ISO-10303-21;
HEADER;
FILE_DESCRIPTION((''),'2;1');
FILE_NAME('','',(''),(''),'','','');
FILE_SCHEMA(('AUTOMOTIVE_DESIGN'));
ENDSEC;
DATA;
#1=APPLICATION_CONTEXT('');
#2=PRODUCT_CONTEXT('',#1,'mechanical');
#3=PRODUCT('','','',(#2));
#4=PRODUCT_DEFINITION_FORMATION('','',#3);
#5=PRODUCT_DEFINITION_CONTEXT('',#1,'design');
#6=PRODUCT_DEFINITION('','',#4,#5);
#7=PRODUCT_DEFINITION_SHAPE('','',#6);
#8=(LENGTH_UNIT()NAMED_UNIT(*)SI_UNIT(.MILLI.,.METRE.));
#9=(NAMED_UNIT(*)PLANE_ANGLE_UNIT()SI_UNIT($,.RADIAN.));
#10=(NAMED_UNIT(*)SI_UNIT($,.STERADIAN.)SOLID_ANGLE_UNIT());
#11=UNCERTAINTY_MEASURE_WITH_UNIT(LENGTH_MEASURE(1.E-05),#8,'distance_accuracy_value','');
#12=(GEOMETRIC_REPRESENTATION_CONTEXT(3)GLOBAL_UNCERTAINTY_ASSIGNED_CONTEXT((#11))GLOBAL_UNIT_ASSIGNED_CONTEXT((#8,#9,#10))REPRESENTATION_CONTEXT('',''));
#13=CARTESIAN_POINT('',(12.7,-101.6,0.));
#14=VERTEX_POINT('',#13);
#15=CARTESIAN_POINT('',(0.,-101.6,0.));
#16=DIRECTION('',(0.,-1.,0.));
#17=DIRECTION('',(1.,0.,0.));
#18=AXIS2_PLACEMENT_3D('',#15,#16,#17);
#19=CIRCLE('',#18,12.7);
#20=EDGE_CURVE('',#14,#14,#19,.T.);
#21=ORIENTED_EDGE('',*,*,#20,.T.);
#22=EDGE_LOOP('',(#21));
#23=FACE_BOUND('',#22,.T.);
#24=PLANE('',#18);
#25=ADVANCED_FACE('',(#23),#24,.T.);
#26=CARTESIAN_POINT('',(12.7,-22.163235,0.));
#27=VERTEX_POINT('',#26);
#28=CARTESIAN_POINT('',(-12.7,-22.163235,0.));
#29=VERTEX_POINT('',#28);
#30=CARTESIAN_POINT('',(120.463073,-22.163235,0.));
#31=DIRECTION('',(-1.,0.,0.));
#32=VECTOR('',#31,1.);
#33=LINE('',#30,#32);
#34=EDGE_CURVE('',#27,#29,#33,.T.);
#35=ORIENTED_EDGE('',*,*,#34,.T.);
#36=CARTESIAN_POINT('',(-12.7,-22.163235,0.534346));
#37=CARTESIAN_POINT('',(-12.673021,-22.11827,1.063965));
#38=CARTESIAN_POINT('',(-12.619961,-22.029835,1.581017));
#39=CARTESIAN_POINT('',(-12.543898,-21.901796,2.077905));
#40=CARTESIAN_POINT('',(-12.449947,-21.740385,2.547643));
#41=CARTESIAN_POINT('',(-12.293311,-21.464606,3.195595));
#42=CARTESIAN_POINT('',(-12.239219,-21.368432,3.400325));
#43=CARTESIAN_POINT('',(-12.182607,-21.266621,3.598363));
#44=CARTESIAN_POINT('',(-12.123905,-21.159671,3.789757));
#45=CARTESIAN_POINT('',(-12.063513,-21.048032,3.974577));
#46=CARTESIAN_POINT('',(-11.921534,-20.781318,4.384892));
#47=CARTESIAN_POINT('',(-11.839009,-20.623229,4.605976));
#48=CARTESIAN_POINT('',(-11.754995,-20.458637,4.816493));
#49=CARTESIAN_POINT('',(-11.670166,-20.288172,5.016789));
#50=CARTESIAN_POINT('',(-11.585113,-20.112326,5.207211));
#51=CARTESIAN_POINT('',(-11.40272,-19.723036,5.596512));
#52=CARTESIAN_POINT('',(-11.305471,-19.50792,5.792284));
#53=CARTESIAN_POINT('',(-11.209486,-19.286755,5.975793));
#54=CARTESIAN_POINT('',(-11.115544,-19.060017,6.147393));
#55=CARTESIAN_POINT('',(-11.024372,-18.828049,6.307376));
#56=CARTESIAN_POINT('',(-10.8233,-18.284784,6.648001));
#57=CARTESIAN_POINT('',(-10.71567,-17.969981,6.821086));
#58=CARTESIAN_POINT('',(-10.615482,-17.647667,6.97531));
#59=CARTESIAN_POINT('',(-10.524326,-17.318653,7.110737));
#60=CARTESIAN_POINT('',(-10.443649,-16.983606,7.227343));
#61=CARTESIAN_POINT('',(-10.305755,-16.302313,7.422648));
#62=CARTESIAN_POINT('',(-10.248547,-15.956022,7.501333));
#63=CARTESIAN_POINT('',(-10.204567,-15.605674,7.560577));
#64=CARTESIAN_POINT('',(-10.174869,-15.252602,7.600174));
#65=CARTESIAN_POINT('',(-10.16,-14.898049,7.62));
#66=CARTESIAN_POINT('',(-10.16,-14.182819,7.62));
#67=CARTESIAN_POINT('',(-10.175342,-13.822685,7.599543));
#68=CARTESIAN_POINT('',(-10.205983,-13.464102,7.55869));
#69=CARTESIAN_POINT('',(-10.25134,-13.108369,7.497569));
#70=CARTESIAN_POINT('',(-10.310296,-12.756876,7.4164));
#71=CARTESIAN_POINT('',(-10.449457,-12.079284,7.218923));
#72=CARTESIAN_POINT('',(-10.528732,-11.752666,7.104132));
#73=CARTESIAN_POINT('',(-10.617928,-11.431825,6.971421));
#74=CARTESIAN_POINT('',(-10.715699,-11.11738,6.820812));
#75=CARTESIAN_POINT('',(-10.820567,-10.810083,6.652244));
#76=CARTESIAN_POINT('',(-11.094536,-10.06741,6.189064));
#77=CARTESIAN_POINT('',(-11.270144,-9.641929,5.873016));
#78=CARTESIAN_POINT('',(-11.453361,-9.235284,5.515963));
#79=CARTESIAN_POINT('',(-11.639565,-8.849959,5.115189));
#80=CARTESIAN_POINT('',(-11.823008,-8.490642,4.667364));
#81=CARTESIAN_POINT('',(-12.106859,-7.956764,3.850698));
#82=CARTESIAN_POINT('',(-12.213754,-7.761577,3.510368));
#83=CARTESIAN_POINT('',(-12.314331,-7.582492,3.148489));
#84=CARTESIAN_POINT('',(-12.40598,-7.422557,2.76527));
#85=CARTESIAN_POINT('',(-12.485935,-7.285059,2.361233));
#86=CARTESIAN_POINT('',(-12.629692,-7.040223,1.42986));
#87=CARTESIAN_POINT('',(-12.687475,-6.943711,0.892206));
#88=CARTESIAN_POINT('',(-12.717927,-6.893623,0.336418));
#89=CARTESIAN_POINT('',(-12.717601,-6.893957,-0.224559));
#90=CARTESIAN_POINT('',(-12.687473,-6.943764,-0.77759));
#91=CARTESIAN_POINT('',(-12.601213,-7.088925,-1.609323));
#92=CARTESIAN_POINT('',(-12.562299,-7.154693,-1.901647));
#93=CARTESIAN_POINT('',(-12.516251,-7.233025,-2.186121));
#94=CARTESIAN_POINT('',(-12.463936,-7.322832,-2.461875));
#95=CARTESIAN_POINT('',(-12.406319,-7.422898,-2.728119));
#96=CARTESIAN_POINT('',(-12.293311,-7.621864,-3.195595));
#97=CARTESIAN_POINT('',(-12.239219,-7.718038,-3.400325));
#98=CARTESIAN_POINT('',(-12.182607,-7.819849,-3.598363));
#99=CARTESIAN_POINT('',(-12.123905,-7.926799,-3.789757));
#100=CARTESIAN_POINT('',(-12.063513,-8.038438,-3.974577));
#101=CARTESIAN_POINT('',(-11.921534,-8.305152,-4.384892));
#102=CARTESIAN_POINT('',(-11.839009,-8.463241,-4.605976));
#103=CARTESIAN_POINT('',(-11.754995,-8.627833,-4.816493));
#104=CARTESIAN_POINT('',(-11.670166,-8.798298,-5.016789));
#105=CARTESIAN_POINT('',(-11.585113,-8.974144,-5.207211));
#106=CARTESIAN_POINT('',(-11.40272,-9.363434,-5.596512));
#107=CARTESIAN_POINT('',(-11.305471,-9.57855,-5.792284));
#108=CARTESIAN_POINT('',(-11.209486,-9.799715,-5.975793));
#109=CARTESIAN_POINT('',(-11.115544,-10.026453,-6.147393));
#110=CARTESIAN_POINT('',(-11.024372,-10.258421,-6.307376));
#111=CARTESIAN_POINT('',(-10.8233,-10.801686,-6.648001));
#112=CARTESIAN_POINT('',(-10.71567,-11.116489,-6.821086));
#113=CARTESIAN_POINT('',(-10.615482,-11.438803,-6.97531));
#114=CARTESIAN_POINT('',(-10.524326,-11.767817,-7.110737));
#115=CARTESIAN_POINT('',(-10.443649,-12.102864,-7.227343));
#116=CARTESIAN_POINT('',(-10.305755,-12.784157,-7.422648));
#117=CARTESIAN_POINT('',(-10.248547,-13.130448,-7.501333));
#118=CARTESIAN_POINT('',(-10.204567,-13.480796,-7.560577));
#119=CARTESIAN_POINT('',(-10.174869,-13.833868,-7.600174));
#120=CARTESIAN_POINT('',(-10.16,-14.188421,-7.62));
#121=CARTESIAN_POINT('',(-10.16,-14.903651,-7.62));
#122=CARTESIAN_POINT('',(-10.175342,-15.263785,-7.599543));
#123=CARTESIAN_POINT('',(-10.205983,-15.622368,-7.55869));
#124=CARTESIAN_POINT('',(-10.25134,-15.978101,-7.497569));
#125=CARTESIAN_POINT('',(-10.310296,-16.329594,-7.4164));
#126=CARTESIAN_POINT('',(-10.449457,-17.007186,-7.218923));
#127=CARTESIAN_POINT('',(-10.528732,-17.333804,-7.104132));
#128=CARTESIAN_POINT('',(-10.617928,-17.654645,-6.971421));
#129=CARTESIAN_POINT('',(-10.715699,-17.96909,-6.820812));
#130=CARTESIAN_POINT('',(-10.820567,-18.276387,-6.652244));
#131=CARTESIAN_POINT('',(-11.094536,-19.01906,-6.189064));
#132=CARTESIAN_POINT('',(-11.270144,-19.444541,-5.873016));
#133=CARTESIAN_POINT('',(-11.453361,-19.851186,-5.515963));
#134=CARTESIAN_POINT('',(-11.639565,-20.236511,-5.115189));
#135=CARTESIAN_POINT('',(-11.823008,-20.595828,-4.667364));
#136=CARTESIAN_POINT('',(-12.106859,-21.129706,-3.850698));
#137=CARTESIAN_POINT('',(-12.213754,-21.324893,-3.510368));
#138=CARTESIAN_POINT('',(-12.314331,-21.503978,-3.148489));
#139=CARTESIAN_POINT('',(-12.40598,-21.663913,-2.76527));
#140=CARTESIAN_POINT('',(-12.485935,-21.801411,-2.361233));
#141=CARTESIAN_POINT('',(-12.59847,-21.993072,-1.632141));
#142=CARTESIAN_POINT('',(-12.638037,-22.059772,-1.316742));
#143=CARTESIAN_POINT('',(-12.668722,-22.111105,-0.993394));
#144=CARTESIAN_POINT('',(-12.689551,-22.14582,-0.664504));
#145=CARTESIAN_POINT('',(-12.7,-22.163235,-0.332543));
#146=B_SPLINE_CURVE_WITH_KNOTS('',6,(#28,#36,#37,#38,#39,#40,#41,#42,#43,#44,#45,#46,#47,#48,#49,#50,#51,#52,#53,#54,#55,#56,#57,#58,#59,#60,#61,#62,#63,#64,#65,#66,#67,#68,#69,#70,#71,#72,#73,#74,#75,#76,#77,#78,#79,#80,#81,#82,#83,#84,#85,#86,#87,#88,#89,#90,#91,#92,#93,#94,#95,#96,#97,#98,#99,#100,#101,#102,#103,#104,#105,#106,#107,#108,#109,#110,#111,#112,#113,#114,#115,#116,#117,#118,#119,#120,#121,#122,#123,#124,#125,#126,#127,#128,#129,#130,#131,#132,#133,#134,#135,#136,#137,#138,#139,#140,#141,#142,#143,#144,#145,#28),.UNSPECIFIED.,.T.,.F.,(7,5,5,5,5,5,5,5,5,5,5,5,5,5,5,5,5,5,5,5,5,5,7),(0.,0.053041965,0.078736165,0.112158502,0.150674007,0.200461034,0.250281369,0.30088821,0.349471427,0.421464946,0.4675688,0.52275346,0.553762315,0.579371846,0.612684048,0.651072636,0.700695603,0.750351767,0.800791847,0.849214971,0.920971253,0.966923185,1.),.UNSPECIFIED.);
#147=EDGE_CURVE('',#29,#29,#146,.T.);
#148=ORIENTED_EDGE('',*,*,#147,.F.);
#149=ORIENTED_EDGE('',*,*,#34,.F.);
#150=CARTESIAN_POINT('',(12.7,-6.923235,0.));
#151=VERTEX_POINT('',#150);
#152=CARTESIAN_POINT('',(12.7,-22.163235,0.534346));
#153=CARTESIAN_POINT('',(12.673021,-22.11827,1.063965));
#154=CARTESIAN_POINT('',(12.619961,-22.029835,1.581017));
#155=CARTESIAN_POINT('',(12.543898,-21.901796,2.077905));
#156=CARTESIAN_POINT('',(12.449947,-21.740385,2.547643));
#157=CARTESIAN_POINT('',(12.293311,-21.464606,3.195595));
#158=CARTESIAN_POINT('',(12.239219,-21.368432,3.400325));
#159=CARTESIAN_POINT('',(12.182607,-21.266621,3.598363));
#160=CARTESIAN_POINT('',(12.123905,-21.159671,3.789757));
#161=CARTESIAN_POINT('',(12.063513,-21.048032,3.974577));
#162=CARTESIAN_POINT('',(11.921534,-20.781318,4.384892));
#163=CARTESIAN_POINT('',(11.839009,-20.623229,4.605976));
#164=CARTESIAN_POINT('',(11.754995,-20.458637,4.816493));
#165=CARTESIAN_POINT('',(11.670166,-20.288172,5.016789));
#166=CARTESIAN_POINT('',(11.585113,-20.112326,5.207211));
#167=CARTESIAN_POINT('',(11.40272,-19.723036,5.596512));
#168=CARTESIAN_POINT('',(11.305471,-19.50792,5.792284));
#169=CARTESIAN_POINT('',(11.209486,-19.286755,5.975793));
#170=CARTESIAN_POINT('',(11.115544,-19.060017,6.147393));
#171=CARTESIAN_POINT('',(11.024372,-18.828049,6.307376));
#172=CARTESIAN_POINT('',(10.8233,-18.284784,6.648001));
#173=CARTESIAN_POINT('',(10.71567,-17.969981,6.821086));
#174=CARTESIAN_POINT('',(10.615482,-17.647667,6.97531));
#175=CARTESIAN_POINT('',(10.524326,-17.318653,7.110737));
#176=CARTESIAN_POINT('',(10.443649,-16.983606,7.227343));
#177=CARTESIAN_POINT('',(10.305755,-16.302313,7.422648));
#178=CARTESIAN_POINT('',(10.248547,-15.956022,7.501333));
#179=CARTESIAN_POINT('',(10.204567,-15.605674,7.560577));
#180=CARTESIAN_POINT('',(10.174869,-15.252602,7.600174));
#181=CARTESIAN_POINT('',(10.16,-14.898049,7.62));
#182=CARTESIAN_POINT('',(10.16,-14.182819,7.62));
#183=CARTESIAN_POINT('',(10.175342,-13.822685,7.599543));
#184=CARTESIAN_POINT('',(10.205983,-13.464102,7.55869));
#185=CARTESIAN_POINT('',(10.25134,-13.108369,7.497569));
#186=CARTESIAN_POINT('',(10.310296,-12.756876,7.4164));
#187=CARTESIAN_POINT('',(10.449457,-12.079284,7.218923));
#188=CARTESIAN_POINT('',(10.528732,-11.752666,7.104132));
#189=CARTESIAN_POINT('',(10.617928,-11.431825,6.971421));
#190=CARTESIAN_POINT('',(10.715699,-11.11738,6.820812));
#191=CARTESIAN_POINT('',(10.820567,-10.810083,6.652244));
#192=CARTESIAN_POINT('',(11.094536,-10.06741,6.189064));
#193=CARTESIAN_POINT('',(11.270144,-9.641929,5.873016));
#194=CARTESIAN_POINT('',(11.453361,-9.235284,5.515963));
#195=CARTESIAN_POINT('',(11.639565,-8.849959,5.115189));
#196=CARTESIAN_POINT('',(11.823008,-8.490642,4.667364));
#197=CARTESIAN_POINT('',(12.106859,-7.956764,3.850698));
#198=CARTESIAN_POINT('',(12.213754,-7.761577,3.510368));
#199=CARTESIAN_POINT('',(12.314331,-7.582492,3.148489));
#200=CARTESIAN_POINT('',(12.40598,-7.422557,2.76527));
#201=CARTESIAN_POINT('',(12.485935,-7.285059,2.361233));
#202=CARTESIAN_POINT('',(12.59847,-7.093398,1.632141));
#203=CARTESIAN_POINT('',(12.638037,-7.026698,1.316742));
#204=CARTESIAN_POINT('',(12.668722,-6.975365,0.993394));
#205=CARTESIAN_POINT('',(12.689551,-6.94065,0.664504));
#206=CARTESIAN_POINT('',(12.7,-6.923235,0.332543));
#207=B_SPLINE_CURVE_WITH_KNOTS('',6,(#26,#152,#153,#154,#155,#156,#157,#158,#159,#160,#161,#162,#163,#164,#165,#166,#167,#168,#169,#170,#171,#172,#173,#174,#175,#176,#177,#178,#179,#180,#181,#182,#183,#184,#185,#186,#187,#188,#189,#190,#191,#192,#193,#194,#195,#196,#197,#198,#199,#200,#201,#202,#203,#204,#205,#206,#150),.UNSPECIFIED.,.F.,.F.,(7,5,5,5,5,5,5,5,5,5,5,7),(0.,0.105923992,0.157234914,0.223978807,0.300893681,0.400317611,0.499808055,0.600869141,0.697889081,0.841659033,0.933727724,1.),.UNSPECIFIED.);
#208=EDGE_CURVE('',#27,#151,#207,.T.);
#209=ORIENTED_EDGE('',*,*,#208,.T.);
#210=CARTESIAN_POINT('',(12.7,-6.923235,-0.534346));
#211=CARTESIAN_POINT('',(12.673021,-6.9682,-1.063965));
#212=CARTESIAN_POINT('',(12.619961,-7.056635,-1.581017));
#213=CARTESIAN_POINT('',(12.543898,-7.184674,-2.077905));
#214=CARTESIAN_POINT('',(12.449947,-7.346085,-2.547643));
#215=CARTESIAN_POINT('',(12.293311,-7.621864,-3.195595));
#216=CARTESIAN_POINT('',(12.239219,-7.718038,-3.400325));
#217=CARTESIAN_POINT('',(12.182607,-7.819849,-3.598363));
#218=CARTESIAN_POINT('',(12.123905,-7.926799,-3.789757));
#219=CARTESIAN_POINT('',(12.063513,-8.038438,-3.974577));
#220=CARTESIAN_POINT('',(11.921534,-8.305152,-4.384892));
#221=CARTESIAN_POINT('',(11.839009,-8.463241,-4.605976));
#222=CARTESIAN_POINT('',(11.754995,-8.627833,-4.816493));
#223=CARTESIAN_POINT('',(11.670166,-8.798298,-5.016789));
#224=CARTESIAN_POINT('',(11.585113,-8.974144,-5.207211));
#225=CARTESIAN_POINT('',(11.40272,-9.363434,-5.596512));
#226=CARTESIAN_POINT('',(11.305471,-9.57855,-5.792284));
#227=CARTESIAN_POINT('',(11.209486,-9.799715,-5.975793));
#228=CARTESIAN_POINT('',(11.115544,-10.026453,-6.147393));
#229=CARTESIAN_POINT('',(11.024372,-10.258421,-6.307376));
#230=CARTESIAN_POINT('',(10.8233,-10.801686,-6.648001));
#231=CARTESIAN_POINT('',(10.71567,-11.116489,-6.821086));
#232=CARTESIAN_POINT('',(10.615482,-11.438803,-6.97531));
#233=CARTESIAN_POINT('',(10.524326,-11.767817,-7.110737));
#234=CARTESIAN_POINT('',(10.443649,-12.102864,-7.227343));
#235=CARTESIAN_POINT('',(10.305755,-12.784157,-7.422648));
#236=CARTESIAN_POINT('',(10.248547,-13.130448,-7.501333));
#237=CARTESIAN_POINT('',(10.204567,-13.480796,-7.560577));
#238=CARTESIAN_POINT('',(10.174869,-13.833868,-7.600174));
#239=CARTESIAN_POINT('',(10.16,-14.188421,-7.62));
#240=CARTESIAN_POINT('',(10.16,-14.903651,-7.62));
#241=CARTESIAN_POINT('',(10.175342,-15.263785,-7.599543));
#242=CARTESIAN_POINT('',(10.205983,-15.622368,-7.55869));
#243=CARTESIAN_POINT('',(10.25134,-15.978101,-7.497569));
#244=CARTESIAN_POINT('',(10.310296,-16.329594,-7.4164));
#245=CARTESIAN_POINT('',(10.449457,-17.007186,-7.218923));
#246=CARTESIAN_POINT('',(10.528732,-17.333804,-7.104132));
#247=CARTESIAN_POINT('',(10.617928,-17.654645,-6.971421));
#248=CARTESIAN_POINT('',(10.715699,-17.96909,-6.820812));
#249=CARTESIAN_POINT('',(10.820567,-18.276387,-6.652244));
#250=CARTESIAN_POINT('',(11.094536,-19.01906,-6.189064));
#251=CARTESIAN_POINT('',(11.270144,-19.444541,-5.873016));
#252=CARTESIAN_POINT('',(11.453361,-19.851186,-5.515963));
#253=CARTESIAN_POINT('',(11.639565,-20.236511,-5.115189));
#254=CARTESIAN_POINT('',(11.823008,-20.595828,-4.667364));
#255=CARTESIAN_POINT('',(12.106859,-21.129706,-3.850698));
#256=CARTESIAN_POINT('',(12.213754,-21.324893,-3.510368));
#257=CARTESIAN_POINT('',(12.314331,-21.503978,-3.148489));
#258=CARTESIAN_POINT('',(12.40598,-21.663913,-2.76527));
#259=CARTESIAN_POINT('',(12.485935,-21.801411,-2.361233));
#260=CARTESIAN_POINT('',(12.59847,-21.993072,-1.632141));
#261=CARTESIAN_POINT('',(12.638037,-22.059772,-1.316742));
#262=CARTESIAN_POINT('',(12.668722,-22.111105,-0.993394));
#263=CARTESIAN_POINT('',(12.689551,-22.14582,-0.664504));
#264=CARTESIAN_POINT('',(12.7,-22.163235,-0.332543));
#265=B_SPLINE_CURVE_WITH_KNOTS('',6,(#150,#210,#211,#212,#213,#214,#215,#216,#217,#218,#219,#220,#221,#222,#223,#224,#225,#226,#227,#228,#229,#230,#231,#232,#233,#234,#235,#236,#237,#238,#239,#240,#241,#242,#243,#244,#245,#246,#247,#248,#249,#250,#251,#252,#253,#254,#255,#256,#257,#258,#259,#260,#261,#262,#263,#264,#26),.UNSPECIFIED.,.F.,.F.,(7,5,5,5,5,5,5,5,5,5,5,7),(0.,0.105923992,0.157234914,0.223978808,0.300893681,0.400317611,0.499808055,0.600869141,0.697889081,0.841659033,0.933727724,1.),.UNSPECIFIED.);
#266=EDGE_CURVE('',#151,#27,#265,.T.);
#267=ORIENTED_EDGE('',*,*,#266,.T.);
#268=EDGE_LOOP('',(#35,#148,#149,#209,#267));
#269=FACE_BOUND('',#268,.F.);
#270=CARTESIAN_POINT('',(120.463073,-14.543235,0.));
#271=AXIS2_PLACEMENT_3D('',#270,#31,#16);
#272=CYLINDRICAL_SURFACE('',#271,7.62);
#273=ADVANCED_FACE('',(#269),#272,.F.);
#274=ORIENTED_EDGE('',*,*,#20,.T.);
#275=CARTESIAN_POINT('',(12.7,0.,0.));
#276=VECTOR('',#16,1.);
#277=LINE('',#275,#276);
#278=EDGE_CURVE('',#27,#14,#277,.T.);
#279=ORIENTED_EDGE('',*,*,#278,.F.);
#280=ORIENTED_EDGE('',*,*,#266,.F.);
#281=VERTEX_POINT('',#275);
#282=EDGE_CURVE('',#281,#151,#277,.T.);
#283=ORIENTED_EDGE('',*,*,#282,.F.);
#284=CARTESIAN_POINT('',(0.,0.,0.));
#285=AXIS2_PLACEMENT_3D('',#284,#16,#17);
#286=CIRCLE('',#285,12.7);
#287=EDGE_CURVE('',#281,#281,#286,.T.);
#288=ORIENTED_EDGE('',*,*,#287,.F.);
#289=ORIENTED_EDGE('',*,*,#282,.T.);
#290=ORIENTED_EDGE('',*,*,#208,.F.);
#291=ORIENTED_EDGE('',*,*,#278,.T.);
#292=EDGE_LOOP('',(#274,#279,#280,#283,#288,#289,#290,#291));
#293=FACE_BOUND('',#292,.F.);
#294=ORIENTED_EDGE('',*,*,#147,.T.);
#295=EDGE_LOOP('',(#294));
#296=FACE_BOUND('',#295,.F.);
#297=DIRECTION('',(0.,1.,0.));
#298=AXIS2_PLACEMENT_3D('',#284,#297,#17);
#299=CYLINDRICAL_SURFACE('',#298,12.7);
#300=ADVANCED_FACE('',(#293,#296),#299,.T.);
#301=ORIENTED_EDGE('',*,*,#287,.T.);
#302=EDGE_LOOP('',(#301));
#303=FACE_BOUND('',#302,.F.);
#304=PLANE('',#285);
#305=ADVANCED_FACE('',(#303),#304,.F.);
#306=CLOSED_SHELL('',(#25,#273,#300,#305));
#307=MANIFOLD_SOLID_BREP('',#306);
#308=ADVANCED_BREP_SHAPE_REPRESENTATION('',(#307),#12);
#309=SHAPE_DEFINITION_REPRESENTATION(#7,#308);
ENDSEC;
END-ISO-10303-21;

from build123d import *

# Parameters (mm, degrees)
F0_R     = 12.7
F1_DEPTH = 101.6
F4_D     = 15.24


with BuildPart() as f1:
    # F0 (on Front) → F1 (new body)
    with BuildSketch(Plane.XZ):
        Circle(F0_R)
    extrude(amount=F1_DEPTH)

    # F4 (through all)
    with Locations(Plane.YZ.offset(12.7)):
        with Locations((-14.543235, 0)):
            Hole(F4_D / 2)


solid = f1.part
